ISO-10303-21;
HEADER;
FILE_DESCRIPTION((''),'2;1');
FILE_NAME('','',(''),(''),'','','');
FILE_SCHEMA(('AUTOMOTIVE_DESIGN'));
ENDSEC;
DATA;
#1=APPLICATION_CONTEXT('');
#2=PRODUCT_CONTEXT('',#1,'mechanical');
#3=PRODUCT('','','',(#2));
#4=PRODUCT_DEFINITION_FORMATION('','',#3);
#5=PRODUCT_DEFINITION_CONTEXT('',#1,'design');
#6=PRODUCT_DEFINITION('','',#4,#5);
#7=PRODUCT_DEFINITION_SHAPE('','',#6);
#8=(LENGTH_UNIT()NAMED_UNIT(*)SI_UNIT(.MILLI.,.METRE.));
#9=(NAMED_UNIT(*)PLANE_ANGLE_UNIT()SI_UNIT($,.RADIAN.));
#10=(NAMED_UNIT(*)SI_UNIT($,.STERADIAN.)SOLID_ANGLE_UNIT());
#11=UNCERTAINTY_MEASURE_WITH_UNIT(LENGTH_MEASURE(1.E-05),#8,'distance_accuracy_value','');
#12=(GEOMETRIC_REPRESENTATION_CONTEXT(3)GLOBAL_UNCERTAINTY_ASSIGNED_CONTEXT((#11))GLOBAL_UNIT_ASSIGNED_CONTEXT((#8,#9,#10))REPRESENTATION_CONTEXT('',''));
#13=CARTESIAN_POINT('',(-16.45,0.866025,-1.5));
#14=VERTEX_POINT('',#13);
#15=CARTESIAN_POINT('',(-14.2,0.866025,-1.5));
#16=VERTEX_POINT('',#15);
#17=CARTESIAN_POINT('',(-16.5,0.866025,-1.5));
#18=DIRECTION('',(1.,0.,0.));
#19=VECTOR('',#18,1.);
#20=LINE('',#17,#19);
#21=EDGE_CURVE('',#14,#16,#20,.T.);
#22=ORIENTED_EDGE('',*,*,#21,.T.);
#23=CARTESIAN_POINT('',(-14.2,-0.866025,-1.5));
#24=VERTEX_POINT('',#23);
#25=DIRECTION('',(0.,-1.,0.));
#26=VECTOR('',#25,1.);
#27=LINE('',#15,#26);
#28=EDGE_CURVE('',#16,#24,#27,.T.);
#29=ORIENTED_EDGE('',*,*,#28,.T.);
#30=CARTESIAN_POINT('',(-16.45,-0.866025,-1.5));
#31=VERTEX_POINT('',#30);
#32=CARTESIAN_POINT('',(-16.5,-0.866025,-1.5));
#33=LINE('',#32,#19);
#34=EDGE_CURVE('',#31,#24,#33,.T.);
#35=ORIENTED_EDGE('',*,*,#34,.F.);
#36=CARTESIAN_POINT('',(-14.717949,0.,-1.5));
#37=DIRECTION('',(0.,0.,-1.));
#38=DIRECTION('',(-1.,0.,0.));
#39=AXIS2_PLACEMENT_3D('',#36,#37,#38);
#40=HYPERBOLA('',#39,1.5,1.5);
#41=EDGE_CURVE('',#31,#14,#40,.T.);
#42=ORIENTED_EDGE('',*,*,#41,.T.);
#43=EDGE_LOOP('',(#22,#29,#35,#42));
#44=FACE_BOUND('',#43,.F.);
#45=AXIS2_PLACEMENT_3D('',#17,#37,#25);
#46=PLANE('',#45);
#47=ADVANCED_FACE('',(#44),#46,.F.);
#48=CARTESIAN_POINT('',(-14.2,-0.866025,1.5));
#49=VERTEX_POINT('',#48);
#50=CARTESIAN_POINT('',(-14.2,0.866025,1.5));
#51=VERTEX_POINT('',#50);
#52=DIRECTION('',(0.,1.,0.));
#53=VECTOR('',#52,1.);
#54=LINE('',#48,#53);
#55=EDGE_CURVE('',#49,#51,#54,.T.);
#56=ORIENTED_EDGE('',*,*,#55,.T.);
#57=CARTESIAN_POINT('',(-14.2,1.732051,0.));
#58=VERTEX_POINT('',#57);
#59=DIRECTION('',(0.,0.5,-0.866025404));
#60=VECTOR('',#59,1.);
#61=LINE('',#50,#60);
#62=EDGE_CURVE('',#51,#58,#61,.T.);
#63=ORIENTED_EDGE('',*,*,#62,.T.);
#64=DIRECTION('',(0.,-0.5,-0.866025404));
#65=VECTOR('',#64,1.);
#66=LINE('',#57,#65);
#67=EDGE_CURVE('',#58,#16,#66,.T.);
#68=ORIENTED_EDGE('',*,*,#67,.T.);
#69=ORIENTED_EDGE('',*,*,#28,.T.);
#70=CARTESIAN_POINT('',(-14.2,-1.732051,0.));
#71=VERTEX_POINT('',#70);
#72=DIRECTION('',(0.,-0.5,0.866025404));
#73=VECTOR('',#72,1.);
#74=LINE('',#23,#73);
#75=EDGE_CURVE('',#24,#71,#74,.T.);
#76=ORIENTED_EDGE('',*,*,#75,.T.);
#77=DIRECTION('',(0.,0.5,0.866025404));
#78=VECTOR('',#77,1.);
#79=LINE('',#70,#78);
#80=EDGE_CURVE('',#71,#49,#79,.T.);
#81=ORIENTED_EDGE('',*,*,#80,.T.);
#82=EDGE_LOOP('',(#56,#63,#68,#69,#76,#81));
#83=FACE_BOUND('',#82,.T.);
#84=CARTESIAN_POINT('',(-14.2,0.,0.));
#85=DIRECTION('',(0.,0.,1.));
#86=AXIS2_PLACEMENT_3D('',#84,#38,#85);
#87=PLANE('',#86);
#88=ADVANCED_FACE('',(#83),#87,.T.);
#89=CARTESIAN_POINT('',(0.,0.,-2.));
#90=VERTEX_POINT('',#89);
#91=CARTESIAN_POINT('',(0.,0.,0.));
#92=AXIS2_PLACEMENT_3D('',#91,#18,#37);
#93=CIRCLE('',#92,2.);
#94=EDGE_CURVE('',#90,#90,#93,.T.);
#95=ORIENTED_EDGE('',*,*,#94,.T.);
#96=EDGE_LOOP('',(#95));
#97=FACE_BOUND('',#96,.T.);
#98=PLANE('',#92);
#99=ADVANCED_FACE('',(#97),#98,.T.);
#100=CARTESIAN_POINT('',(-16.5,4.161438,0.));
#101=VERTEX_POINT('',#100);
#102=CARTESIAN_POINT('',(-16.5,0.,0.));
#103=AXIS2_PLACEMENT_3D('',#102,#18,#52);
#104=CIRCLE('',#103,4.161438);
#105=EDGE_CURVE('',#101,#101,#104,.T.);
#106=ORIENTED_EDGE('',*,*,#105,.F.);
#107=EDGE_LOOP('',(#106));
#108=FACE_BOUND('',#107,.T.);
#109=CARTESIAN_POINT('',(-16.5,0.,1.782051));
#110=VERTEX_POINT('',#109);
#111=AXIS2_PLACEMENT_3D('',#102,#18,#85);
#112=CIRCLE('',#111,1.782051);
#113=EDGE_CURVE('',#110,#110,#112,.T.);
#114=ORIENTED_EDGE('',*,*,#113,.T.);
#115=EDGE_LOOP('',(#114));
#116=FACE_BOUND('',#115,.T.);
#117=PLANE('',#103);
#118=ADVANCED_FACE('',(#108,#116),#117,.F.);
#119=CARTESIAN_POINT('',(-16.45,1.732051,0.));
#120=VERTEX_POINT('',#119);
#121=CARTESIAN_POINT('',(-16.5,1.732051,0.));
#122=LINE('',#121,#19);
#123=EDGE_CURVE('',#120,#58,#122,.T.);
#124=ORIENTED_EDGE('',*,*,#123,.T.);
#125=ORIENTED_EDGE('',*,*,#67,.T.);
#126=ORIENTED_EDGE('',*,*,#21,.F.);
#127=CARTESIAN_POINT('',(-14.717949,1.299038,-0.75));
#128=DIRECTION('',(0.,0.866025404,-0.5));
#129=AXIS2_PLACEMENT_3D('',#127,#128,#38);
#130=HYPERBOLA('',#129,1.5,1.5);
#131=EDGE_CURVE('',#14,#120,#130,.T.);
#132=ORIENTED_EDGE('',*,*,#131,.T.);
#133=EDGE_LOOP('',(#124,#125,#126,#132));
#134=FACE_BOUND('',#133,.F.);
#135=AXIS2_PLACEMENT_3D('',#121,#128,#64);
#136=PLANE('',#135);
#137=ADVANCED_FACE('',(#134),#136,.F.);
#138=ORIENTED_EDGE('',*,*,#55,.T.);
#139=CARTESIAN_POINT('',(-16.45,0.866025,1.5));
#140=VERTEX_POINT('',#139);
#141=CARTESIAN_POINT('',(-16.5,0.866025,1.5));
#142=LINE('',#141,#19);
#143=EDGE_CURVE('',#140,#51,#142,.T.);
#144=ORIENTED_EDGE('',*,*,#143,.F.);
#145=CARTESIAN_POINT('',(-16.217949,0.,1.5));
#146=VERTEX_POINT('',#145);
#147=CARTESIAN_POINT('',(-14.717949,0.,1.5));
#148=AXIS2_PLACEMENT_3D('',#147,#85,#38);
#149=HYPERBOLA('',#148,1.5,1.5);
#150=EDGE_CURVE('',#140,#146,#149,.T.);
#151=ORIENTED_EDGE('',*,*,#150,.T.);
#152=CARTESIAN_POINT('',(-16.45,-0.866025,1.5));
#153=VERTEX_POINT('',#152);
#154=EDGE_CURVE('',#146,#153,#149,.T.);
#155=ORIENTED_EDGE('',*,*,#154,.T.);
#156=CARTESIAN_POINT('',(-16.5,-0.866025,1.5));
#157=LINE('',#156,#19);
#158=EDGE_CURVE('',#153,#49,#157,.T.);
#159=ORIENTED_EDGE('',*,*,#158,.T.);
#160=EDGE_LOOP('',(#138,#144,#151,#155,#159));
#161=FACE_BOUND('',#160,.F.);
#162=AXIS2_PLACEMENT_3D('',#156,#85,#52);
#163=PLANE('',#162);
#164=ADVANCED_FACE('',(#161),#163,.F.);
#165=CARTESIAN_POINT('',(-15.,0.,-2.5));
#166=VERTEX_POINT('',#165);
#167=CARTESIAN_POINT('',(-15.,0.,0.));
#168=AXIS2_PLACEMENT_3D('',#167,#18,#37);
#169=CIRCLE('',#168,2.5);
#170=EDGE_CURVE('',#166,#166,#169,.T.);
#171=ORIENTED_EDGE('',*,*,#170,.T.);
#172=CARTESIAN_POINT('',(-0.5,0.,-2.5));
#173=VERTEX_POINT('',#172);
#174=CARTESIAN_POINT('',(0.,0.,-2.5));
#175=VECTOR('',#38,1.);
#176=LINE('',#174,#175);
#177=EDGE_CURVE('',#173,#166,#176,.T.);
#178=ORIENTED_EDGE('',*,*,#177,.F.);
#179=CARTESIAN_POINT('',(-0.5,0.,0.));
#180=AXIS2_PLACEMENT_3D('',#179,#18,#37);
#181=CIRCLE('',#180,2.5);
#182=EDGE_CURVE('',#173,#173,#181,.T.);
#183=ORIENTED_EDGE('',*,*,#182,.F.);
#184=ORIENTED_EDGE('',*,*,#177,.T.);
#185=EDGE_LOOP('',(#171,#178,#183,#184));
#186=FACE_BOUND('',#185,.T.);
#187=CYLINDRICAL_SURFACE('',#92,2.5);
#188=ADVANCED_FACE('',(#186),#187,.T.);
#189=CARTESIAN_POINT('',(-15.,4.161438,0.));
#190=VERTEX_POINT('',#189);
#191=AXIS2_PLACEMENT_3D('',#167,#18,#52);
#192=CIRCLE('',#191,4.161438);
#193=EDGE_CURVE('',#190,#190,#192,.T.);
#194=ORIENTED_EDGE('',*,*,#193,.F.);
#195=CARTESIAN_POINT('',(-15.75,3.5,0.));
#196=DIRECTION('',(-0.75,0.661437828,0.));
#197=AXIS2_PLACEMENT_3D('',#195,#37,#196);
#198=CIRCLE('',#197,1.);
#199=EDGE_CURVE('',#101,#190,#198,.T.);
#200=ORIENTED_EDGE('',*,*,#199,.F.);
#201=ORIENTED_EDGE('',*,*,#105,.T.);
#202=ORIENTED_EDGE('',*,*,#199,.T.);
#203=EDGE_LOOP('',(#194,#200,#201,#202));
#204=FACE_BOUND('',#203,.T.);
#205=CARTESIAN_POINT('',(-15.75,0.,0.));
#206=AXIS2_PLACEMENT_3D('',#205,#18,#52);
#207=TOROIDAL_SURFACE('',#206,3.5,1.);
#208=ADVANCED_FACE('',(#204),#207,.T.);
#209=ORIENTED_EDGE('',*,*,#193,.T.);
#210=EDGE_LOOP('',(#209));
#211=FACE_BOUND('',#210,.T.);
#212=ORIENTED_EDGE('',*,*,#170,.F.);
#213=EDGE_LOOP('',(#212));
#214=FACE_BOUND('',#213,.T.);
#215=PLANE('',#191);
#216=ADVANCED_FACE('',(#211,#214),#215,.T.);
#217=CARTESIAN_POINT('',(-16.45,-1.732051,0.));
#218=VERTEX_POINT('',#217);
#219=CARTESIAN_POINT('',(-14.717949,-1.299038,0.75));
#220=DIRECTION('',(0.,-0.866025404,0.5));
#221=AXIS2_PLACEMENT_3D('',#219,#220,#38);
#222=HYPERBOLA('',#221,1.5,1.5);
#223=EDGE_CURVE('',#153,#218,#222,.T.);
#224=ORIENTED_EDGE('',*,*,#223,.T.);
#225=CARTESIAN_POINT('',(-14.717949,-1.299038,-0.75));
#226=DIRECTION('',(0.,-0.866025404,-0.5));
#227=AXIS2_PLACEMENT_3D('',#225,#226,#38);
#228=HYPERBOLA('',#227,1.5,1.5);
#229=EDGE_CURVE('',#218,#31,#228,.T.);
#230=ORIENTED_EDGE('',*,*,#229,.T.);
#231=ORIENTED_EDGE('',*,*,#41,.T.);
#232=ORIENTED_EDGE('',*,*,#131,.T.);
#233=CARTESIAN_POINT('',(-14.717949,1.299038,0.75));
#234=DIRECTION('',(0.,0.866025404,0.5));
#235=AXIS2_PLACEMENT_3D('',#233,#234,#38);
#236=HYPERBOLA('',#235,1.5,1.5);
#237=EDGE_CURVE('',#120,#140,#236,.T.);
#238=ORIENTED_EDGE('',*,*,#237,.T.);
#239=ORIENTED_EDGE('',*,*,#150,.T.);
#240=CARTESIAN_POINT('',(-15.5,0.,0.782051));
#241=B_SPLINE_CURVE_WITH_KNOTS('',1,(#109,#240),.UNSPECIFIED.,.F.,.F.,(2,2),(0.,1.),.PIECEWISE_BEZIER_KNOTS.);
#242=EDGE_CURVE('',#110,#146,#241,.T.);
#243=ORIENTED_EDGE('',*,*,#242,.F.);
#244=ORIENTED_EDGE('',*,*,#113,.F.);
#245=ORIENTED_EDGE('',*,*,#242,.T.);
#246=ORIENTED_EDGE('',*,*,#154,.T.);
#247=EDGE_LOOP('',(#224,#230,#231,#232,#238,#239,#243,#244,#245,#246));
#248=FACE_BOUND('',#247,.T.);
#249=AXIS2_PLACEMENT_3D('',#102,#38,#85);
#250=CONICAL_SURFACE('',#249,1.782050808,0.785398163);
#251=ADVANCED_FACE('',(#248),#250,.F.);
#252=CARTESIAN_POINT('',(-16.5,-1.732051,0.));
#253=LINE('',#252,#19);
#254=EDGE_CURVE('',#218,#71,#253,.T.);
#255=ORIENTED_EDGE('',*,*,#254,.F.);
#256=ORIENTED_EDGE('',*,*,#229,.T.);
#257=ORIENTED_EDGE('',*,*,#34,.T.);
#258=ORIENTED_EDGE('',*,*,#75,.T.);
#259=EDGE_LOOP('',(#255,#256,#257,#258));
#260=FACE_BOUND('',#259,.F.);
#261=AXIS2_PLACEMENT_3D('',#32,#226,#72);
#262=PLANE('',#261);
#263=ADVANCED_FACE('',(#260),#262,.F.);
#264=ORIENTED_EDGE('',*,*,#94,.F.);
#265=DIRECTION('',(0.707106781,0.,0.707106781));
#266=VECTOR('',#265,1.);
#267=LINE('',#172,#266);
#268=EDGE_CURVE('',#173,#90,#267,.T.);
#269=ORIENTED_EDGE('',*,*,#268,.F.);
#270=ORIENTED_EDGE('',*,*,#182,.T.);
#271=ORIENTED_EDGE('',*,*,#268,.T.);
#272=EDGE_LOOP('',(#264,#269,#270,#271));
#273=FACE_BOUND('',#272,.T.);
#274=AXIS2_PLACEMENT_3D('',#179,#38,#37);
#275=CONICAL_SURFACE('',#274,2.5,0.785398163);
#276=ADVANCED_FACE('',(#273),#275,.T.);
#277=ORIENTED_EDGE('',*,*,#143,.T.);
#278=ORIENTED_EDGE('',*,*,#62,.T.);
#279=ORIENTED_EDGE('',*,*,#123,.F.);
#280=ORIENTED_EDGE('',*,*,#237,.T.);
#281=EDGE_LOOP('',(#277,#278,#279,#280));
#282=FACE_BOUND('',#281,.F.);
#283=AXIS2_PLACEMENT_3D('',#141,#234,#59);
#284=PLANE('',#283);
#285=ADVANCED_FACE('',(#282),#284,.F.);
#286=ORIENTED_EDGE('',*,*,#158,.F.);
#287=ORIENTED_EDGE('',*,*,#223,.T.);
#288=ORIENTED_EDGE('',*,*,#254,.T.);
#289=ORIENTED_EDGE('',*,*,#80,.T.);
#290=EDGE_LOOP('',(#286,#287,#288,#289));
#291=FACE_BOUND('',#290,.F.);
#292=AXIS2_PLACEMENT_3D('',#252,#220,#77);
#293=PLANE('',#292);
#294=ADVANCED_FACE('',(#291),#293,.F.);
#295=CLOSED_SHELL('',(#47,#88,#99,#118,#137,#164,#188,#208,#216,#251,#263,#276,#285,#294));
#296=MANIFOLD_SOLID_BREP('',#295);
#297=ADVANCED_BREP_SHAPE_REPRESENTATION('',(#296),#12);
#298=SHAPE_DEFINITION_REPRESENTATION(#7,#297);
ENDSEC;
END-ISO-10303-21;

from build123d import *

# Parameters (mm, degrees)
SKETCH2_R           = 2.5
BOSS_EXTRUDE1_DEPTH = 15
CHAMFER1_SIZE       = 0.5
CUT_EXTRUDE1_DEPTH  = 2.3
SKETCH8_R           = 1.782050808
CUT_EXTRUDE2_DEPTH  = 1
CUT_EXTRUDE2_TAPER  = 45


with BuildPart() as part:
    # Sketch2 → Boss-Extrude1 (new body)
    with BuildSketch(Plane(origin=(0, 0, 0), x_dir=(0, 0, -1), z_dir=(1, 0, 0))):
        Circle(SKETCH2_R)
    extrude(amount=-BOSS_EXTRUDE1_DEPTH)

    # Chamfer1
    chamfer1_edges = [part.edges().sort_by_distance(p)[0] for p in [
        (0, 0, 2.5),
    ]]
    chamfer(chamfer1_edges, length=CHAMFER1_SIZE)

    # Sketch6 → Revolve1 (revolve)
    with BuildSketch(Plane.XY):
        with BuildLine():
            Line((-16.5, 0), (-16.5, 4.161437828))
            ThreePointArc((-16.5, 4.161437828), (-15.75, 4.5), (-15, 4.161437828))
            Line((-15, 4.161437828), (-15, 0))
            Line((-15, 0), (-16.5, 0))
        make_face()
    revolve(axis=Axis((-15, 0, 0), (1, 0, 0)))

    # Sketch7 → Cut-Extrude1 (cut)
    with BuildSketch(Plane.ZY.offset(16.5)):
        Polygon((0, 1.732050808), (-1.5, 0.866025404), (-1.5, -0.866025404), (0, -1.732050808), (1.5, -0.866025404), (1.5, 0.866025404), align=None)
    extrude(amount=-CUT_EXTRUDE1_DEPTH, mode=Mode.SUBTRACT)

    # Sketch8 → Cut-Extrude2 (cut)
    with BuildSketch(Plane.ZY.offset(16.5)):
        Circle(SKETCH8_R)
    extrude(amount=-CUT_EXTRUDE2_DEPTH, taper=CUT_EXTRUDE2_TAPER, mode=Mode.SUBTRACT)


solid = part.part
